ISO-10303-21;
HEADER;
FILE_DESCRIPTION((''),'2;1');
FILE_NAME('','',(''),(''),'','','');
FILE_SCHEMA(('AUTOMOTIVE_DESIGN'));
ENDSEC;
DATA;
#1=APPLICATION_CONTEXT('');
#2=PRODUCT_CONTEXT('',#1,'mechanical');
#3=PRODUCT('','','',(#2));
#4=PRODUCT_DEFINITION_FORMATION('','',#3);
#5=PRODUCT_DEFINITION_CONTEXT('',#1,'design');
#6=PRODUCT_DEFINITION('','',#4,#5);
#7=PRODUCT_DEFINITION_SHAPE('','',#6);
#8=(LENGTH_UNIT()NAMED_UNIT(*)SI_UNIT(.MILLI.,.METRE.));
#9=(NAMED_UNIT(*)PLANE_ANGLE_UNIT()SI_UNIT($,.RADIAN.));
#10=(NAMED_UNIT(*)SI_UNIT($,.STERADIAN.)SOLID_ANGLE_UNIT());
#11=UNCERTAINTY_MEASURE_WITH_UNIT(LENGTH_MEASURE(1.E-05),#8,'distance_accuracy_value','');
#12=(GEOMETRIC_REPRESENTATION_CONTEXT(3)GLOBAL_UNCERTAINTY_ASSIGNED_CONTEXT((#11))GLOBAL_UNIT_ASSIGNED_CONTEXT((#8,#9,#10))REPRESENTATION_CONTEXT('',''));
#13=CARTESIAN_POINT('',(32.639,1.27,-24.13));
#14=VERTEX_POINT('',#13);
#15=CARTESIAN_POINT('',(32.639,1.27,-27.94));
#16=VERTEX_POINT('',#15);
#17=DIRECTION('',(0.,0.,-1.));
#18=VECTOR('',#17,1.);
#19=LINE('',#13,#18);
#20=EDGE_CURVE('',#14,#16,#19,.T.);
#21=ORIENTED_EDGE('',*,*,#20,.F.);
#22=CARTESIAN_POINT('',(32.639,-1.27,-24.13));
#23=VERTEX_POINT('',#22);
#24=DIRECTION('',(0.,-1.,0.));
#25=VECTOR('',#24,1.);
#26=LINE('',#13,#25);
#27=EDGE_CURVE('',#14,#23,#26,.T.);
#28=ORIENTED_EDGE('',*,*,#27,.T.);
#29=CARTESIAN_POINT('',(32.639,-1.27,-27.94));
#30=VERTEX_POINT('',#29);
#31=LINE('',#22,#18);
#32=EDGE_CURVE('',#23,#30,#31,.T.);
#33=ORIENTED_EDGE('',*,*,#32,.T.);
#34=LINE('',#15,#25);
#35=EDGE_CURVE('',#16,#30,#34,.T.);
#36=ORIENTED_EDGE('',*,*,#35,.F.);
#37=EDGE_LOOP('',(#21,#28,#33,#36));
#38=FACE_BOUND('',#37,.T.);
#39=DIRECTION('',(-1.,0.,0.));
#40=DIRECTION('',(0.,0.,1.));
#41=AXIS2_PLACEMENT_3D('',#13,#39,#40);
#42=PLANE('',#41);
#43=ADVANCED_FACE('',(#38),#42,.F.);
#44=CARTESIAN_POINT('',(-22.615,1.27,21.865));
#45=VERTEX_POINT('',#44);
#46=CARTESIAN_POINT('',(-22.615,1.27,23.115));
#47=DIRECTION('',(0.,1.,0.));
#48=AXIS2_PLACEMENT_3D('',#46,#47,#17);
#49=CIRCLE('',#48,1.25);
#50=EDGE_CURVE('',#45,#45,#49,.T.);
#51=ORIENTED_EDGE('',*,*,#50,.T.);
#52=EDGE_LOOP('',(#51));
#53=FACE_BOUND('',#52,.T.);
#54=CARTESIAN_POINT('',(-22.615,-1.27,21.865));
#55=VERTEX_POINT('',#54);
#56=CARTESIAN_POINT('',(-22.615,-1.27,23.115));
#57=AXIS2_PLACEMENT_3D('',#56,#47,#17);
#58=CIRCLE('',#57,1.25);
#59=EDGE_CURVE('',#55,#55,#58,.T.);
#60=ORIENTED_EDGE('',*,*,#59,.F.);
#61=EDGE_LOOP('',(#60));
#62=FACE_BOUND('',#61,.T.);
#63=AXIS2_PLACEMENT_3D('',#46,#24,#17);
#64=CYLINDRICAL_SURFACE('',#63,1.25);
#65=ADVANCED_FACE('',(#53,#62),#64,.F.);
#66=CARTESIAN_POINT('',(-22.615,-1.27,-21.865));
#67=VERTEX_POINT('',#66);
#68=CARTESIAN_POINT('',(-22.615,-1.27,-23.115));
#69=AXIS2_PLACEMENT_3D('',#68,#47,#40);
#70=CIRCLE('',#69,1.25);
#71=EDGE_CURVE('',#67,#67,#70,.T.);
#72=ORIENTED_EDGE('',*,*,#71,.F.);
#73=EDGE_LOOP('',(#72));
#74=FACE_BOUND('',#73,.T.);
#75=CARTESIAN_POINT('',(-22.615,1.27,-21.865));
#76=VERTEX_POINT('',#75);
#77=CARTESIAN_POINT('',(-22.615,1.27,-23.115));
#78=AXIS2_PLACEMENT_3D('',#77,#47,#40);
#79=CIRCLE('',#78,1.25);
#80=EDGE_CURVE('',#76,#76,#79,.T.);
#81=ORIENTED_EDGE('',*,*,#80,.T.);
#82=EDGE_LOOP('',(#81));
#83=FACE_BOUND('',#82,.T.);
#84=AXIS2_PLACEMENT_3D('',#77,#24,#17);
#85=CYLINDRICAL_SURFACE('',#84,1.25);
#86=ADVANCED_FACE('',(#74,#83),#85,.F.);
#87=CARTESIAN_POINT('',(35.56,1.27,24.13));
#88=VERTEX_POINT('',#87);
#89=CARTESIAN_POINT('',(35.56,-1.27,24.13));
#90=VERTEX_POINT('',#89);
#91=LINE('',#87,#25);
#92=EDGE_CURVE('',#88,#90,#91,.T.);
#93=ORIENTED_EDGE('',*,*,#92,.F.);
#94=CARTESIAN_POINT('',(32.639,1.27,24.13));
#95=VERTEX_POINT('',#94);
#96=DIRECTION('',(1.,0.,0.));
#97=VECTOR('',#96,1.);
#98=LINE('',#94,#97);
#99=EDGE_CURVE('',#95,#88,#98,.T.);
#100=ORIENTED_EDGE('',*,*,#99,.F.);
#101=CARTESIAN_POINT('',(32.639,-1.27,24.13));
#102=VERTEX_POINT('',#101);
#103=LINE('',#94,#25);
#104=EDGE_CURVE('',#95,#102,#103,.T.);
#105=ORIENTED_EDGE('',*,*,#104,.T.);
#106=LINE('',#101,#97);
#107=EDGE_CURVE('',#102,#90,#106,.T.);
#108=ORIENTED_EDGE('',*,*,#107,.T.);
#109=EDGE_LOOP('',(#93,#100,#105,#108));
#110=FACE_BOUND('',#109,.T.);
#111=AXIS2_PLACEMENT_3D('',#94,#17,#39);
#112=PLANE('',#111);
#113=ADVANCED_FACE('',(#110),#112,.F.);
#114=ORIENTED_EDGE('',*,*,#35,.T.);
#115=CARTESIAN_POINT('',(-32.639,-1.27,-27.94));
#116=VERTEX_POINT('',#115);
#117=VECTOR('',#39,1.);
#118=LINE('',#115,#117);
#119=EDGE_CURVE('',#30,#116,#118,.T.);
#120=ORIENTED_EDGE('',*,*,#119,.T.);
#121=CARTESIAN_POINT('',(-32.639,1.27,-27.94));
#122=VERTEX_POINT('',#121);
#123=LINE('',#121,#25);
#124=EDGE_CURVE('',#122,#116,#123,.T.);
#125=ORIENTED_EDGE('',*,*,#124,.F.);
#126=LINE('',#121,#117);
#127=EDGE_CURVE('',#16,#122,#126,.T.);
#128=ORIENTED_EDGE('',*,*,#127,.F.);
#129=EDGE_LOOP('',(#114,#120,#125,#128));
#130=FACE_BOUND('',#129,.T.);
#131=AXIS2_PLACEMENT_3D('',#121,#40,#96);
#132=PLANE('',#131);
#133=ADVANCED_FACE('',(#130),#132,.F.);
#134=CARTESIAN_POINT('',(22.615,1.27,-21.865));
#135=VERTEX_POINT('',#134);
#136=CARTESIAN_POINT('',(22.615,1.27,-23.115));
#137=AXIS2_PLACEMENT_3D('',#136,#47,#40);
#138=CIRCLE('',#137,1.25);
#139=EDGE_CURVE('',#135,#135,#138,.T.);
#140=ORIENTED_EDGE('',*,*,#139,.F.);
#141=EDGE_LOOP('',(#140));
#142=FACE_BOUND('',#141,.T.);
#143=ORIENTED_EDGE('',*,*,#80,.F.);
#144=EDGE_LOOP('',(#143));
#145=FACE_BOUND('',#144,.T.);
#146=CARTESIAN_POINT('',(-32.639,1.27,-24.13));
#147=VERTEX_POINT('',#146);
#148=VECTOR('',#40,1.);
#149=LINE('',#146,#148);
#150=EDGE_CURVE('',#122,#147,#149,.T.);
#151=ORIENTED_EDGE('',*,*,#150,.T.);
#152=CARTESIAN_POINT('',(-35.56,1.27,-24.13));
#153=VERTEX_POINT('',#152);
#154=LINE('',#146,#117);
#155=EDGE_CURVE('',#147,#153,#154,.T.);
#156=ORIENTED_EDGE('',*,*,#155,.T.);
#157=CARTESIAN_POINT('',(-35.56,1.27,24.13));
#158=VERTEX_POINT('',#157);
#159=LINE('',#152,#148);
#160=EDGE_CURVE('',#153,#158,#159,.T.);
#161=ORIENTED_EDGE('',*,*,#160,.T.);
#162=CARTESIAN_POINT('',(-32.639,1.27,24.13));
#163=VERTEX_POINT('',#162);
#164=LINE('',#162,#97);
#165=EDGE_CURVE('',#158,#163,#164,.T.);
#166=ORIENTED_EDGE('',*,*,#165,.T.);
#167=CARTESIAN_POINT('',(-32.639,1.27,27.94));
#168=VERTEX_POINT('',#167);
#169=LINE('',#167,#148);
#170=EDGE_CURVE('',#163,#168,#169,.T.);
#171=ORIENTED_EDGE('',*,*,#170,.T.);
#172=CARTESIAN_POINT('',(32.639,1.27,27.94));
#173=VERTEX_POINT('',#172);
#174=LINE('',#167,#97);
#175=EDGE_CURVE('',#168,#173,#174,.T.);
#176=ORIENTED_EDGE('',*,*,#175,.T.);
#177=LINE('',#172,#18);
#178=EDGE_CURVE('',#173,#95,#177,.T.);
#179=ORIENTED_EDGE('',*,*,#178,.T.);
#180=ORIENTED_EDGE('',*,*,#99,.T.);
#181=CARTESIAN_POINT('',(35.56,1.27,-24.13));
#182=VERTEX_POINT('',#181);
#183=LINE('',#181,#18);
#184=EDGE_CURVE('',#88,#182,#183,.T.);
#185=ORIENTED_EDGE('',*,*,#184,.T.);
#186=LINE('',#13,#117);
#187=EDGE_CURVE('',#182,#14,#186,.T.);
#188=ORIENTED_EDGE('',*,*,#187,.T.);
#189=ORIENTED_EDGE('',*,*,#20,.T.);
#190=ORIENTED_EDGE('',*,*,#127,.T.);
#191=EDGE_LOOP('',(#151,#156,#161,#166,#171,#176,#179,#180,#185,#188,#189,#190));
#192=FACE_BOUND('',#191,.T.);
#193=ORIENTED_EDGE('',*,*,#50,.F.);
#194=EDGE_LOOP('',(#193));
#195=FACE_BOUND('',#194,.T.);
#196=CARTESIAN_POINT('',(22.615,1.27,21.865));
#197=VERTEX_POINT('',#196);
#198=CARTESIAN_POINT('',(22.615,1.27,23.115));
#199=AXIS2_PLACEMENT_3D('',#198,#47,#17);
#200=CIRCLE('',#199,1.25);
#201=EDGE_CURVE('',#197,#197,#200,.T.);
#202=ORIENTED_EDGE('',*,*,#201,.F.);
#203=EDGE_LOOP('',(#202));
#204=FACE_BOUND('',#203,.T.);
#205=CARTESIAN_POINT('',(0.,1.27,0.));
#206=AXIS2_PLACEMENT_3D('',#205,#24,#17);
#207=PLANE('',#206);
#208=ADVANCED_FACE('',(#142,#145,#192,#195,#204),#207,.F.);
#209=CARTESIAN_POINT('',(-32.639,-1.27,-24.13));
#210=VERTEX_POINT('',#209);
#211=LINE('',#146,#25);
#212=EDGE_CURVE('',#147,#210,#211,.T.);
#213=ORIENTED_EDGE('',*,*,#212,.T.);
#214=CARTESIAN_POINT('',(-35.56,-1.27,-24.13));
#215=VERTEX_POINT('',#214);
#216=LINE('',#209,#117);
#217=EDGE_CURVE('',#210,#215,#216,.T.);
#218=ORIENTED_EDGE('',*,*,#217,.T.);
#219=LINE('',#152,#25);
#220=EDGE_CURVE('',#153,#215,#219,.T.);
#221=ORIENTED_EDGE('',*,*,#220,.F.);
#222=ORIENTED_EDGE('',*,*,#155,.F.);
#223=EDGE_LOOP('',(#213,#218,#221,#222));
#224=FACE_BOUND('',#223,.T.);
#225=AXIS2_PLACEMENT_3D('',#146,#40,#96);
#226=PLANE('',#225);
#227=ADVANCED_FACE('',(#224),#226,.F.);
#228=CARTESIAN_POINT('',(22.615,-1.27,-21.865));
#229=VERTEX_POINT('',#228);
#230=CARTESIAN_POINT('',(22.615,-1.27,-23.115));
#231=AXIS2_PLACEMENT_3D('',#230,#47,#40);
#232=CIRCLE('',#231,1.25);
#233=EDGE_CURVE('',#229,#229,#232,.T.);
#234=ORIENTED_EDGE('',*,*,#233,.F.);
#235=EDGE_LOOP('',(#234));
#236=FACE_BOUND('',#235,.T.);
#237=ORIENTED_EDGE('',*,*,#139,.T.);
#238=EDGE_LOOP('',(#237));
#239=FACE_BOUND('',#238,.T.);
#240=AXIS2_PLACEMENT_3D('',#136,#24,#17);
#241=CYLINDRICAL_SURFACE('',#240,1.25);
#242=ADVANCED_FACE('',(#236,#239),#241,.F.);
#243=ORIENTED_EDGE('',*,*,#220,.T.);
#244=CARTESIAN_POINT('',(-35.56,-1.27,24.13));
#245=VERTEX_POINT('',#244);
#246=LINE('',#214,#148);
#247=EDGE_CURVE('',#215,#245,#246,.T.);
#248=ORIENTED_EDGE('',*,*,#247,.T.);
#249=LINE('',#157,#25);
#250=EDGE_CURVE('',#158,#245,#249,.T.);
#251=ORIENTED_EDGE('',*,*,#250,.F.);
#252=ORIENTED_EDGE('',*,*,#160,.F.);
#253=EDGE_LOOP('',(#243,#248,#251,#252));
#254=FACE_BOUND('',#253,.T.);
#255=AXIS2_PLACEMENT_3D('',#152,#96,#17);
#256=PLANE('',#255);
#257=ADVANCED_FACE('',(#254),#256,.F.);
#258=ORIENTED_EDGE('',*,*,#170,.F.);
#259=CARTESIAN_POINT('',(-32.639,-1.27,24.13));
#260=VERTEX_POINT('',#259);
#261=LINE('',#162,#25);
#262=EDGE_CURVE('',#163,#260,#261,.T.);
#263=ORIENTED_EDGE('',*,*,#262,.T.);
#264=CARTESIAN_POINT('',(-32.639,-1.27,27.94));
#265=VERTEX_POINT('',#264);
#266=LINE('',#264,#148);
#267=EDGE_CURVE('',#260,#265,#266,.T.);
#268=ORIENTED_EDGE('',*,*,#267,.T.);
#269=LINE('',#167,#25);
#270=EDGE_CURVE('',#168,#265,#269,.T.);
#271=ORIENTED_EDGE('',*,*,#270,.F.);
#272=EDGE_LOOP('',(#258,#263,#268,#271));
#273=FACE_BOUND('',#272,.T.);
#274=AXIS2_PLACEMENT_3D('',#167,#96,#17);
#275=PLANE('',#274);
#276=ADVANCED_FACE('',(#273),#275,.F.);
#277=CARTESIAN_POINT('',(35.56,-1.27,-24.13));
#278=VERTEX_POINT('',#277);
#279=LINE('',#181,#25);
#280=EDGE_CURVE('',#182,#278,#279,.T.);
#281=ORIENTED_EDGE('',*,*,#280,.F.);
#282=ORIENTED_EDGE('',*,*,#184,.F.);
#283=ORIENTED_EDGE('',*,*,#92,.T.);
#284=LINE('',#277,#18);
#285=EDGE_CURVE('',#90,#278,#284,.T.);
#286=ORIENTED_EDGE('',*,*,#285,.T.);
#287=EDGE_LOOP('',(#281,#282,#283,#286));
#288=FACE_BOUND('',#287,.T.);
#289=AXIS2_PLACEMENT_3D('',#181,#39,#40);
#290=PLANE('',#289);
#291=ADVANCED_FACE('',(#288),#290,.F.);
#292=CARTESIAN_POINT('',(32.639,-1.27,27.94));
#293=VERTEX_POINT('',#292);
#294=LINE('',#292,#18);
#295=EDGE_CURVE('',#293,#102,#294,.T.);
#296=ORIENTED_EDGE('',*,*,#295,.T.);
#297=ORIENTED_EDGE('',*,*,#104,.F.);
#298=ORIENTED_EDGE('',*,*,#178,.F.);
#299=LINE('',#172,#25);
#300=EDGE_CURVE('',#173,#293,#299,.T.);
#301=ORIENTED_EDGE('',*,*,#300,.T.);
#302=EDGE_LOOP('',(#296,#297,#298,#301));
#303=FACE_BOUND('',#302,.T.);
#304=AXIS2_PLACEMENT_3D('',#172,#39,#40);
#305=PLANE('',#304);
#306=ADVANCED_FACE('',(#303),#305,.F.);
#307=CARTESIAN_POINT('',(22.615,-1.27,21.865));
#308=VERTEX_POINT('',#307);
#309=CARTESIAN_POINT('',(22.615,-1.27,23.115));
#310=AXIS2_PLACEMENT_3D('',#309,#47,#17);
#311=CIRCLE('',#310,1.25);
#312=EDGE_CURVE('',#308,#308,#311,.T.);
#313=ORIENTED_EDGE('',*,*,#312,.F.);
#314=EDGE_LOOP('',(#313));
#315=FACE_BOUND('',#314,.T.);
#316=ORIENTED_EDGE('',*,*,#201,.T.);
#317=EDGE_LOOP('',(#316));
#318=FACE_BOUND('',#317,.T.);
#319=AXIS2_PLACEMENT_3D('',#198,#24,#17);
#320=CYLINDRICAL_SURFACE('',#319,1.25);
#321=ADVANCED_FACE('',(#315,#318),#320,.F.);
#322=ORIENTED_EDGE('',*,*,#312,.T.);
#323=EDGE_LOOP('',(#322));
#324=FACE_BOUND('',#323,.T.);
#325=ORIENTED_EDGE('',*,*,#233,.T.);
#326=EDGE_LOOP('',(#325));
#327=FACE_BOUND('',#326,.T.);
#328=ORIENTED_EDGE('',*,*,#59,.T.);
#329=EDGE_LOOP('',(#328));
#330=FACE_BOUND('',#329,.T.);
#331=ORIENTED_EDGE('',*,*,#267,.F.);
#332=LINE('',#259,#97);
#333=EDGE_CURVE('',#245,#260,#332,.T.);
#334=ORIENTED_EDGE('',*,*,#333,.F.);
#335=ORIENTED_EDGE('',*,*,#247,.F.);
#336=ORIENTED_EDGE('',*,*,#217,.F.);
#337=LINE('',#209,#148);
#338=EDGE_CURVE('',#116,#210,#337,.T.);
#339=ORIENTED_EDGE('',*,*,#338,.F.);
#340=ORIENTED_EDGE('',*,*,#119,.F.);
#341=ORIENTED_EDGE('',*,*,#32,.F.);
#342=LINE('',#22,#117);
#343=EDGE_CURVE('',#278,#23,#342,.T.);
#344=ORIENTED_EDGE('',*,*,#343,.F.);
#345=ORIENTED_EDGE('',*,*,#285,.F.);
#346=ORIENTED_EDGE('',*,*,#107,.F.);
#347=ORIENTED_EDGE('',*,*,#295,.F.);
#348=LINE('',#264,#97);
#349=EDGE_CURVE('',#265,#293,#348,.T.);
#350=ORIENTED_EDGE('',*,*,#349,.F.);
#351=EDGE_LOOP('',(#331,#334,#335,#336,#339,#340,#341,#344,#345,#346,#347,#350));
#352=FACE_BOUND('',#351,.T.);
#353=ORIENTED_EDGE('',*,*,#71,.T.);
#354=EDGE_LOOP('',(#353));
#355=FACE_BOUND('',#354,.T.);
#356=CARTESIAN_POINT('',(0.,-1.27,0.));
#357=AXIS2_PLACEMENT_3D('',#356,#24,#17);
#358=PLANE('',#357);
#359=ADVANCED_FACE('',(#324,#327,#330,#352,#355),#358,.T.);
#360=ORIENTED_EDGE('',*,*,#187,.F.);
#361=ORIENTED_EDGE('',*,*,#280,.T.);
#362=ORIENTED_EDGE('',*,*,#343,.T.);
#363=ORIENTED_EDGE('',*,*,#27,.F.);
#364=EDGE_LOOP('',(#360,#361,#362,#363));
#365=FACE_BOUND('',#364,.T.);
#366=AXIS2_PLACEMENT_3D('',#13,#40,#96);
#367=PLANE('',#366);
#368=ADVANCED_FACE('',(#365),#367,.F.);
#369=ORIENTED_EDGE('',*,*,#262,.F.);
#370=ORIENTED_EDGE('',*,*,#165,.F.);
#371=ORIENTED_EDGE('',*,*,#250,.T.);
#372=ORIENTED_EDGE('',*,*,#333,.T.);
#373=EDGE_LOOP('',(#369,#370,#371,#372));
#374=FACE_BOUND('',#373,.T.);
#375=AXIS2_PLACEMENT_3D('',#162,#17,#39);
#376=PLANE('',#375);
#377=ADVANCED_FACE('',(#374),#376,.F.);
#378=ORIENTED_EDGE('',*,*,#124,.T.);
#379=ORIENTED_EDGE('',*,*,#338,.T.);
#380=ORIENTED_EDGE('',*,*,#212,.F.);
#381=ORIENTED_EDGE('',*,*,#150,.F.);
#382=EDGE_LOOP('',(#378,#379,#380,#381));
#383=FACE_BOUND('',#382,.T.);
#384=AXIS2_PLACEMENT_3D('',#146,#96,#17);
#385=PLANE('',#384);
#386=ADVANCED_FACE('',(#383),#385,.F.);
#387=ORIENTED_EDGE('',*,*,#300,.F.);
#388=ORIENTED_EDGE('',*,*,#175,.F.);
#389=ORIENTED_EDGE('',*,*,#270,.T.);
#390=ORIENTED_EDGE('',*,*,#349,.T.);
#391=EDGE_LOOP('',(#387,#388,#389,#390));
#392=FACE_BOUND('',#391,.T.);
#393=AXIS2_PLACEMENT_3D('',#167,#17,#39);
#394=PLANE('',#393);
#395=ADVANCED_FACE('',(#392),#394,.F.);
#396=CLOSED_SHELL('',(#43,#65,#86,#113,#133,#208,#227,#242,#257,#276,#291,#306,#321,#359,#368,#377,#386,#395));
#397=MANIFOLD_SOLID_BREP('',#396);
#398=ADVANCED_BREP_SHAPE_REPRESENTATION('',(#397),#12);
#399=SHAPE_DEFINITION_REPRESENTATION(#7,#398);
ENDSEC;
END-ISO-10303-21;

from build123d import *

# Parameters (mm, degrees)
SKETCH2_R           = 1.25
BOSS_EXTRUDE2_DEPTH = 1.27


with BuildPart() as part:
    # Sketch2 → Boss-Extrude2 (new, symmetric)
    with BuildSketch(Plane(origin=(0, 0, 0), x_dir=(1, 0, 0), z_dir=(0, 1, 0))):
        Polygon((32.639, 24.13), (35.56, 24.13), (35.56, -24.13), (32.639, -24.13), (32.639, -27.94), (-32.639, -27.94), (-32.639, -24.13), (-35.56, -24.13), (-35.56, 24.13), (-32.639, 24.13), (-32.639, 27.94), (32.639, 27.94), align=None)
        with Locations(Location((-22.615, 23.115, 0), (0, 0, 270))):
            Circle(SKETCH2_R, mode=Mode.SUBTRACT)
        with Locations(Location((22.615, 23.115, 0), (0, 0, 270))):
            Circle(SKETCH2_R, mode=Mode.SUBTRACT)
        with Locations(Location((22.615, -23.115, 0), (0, 0, 90))):
            Circle(SKETCH2_R, mode=Mode.SUBTRACT)
        with Locations(Location((-22.615, -23.115, 0), (0, 0, 90))):
            Circle(SKETCH2_R, mode=Mode.SUBTRACT)
    extrude(amount=BOSS_EXTRUDE2_DEPTH, both=True)


solid = part.part
